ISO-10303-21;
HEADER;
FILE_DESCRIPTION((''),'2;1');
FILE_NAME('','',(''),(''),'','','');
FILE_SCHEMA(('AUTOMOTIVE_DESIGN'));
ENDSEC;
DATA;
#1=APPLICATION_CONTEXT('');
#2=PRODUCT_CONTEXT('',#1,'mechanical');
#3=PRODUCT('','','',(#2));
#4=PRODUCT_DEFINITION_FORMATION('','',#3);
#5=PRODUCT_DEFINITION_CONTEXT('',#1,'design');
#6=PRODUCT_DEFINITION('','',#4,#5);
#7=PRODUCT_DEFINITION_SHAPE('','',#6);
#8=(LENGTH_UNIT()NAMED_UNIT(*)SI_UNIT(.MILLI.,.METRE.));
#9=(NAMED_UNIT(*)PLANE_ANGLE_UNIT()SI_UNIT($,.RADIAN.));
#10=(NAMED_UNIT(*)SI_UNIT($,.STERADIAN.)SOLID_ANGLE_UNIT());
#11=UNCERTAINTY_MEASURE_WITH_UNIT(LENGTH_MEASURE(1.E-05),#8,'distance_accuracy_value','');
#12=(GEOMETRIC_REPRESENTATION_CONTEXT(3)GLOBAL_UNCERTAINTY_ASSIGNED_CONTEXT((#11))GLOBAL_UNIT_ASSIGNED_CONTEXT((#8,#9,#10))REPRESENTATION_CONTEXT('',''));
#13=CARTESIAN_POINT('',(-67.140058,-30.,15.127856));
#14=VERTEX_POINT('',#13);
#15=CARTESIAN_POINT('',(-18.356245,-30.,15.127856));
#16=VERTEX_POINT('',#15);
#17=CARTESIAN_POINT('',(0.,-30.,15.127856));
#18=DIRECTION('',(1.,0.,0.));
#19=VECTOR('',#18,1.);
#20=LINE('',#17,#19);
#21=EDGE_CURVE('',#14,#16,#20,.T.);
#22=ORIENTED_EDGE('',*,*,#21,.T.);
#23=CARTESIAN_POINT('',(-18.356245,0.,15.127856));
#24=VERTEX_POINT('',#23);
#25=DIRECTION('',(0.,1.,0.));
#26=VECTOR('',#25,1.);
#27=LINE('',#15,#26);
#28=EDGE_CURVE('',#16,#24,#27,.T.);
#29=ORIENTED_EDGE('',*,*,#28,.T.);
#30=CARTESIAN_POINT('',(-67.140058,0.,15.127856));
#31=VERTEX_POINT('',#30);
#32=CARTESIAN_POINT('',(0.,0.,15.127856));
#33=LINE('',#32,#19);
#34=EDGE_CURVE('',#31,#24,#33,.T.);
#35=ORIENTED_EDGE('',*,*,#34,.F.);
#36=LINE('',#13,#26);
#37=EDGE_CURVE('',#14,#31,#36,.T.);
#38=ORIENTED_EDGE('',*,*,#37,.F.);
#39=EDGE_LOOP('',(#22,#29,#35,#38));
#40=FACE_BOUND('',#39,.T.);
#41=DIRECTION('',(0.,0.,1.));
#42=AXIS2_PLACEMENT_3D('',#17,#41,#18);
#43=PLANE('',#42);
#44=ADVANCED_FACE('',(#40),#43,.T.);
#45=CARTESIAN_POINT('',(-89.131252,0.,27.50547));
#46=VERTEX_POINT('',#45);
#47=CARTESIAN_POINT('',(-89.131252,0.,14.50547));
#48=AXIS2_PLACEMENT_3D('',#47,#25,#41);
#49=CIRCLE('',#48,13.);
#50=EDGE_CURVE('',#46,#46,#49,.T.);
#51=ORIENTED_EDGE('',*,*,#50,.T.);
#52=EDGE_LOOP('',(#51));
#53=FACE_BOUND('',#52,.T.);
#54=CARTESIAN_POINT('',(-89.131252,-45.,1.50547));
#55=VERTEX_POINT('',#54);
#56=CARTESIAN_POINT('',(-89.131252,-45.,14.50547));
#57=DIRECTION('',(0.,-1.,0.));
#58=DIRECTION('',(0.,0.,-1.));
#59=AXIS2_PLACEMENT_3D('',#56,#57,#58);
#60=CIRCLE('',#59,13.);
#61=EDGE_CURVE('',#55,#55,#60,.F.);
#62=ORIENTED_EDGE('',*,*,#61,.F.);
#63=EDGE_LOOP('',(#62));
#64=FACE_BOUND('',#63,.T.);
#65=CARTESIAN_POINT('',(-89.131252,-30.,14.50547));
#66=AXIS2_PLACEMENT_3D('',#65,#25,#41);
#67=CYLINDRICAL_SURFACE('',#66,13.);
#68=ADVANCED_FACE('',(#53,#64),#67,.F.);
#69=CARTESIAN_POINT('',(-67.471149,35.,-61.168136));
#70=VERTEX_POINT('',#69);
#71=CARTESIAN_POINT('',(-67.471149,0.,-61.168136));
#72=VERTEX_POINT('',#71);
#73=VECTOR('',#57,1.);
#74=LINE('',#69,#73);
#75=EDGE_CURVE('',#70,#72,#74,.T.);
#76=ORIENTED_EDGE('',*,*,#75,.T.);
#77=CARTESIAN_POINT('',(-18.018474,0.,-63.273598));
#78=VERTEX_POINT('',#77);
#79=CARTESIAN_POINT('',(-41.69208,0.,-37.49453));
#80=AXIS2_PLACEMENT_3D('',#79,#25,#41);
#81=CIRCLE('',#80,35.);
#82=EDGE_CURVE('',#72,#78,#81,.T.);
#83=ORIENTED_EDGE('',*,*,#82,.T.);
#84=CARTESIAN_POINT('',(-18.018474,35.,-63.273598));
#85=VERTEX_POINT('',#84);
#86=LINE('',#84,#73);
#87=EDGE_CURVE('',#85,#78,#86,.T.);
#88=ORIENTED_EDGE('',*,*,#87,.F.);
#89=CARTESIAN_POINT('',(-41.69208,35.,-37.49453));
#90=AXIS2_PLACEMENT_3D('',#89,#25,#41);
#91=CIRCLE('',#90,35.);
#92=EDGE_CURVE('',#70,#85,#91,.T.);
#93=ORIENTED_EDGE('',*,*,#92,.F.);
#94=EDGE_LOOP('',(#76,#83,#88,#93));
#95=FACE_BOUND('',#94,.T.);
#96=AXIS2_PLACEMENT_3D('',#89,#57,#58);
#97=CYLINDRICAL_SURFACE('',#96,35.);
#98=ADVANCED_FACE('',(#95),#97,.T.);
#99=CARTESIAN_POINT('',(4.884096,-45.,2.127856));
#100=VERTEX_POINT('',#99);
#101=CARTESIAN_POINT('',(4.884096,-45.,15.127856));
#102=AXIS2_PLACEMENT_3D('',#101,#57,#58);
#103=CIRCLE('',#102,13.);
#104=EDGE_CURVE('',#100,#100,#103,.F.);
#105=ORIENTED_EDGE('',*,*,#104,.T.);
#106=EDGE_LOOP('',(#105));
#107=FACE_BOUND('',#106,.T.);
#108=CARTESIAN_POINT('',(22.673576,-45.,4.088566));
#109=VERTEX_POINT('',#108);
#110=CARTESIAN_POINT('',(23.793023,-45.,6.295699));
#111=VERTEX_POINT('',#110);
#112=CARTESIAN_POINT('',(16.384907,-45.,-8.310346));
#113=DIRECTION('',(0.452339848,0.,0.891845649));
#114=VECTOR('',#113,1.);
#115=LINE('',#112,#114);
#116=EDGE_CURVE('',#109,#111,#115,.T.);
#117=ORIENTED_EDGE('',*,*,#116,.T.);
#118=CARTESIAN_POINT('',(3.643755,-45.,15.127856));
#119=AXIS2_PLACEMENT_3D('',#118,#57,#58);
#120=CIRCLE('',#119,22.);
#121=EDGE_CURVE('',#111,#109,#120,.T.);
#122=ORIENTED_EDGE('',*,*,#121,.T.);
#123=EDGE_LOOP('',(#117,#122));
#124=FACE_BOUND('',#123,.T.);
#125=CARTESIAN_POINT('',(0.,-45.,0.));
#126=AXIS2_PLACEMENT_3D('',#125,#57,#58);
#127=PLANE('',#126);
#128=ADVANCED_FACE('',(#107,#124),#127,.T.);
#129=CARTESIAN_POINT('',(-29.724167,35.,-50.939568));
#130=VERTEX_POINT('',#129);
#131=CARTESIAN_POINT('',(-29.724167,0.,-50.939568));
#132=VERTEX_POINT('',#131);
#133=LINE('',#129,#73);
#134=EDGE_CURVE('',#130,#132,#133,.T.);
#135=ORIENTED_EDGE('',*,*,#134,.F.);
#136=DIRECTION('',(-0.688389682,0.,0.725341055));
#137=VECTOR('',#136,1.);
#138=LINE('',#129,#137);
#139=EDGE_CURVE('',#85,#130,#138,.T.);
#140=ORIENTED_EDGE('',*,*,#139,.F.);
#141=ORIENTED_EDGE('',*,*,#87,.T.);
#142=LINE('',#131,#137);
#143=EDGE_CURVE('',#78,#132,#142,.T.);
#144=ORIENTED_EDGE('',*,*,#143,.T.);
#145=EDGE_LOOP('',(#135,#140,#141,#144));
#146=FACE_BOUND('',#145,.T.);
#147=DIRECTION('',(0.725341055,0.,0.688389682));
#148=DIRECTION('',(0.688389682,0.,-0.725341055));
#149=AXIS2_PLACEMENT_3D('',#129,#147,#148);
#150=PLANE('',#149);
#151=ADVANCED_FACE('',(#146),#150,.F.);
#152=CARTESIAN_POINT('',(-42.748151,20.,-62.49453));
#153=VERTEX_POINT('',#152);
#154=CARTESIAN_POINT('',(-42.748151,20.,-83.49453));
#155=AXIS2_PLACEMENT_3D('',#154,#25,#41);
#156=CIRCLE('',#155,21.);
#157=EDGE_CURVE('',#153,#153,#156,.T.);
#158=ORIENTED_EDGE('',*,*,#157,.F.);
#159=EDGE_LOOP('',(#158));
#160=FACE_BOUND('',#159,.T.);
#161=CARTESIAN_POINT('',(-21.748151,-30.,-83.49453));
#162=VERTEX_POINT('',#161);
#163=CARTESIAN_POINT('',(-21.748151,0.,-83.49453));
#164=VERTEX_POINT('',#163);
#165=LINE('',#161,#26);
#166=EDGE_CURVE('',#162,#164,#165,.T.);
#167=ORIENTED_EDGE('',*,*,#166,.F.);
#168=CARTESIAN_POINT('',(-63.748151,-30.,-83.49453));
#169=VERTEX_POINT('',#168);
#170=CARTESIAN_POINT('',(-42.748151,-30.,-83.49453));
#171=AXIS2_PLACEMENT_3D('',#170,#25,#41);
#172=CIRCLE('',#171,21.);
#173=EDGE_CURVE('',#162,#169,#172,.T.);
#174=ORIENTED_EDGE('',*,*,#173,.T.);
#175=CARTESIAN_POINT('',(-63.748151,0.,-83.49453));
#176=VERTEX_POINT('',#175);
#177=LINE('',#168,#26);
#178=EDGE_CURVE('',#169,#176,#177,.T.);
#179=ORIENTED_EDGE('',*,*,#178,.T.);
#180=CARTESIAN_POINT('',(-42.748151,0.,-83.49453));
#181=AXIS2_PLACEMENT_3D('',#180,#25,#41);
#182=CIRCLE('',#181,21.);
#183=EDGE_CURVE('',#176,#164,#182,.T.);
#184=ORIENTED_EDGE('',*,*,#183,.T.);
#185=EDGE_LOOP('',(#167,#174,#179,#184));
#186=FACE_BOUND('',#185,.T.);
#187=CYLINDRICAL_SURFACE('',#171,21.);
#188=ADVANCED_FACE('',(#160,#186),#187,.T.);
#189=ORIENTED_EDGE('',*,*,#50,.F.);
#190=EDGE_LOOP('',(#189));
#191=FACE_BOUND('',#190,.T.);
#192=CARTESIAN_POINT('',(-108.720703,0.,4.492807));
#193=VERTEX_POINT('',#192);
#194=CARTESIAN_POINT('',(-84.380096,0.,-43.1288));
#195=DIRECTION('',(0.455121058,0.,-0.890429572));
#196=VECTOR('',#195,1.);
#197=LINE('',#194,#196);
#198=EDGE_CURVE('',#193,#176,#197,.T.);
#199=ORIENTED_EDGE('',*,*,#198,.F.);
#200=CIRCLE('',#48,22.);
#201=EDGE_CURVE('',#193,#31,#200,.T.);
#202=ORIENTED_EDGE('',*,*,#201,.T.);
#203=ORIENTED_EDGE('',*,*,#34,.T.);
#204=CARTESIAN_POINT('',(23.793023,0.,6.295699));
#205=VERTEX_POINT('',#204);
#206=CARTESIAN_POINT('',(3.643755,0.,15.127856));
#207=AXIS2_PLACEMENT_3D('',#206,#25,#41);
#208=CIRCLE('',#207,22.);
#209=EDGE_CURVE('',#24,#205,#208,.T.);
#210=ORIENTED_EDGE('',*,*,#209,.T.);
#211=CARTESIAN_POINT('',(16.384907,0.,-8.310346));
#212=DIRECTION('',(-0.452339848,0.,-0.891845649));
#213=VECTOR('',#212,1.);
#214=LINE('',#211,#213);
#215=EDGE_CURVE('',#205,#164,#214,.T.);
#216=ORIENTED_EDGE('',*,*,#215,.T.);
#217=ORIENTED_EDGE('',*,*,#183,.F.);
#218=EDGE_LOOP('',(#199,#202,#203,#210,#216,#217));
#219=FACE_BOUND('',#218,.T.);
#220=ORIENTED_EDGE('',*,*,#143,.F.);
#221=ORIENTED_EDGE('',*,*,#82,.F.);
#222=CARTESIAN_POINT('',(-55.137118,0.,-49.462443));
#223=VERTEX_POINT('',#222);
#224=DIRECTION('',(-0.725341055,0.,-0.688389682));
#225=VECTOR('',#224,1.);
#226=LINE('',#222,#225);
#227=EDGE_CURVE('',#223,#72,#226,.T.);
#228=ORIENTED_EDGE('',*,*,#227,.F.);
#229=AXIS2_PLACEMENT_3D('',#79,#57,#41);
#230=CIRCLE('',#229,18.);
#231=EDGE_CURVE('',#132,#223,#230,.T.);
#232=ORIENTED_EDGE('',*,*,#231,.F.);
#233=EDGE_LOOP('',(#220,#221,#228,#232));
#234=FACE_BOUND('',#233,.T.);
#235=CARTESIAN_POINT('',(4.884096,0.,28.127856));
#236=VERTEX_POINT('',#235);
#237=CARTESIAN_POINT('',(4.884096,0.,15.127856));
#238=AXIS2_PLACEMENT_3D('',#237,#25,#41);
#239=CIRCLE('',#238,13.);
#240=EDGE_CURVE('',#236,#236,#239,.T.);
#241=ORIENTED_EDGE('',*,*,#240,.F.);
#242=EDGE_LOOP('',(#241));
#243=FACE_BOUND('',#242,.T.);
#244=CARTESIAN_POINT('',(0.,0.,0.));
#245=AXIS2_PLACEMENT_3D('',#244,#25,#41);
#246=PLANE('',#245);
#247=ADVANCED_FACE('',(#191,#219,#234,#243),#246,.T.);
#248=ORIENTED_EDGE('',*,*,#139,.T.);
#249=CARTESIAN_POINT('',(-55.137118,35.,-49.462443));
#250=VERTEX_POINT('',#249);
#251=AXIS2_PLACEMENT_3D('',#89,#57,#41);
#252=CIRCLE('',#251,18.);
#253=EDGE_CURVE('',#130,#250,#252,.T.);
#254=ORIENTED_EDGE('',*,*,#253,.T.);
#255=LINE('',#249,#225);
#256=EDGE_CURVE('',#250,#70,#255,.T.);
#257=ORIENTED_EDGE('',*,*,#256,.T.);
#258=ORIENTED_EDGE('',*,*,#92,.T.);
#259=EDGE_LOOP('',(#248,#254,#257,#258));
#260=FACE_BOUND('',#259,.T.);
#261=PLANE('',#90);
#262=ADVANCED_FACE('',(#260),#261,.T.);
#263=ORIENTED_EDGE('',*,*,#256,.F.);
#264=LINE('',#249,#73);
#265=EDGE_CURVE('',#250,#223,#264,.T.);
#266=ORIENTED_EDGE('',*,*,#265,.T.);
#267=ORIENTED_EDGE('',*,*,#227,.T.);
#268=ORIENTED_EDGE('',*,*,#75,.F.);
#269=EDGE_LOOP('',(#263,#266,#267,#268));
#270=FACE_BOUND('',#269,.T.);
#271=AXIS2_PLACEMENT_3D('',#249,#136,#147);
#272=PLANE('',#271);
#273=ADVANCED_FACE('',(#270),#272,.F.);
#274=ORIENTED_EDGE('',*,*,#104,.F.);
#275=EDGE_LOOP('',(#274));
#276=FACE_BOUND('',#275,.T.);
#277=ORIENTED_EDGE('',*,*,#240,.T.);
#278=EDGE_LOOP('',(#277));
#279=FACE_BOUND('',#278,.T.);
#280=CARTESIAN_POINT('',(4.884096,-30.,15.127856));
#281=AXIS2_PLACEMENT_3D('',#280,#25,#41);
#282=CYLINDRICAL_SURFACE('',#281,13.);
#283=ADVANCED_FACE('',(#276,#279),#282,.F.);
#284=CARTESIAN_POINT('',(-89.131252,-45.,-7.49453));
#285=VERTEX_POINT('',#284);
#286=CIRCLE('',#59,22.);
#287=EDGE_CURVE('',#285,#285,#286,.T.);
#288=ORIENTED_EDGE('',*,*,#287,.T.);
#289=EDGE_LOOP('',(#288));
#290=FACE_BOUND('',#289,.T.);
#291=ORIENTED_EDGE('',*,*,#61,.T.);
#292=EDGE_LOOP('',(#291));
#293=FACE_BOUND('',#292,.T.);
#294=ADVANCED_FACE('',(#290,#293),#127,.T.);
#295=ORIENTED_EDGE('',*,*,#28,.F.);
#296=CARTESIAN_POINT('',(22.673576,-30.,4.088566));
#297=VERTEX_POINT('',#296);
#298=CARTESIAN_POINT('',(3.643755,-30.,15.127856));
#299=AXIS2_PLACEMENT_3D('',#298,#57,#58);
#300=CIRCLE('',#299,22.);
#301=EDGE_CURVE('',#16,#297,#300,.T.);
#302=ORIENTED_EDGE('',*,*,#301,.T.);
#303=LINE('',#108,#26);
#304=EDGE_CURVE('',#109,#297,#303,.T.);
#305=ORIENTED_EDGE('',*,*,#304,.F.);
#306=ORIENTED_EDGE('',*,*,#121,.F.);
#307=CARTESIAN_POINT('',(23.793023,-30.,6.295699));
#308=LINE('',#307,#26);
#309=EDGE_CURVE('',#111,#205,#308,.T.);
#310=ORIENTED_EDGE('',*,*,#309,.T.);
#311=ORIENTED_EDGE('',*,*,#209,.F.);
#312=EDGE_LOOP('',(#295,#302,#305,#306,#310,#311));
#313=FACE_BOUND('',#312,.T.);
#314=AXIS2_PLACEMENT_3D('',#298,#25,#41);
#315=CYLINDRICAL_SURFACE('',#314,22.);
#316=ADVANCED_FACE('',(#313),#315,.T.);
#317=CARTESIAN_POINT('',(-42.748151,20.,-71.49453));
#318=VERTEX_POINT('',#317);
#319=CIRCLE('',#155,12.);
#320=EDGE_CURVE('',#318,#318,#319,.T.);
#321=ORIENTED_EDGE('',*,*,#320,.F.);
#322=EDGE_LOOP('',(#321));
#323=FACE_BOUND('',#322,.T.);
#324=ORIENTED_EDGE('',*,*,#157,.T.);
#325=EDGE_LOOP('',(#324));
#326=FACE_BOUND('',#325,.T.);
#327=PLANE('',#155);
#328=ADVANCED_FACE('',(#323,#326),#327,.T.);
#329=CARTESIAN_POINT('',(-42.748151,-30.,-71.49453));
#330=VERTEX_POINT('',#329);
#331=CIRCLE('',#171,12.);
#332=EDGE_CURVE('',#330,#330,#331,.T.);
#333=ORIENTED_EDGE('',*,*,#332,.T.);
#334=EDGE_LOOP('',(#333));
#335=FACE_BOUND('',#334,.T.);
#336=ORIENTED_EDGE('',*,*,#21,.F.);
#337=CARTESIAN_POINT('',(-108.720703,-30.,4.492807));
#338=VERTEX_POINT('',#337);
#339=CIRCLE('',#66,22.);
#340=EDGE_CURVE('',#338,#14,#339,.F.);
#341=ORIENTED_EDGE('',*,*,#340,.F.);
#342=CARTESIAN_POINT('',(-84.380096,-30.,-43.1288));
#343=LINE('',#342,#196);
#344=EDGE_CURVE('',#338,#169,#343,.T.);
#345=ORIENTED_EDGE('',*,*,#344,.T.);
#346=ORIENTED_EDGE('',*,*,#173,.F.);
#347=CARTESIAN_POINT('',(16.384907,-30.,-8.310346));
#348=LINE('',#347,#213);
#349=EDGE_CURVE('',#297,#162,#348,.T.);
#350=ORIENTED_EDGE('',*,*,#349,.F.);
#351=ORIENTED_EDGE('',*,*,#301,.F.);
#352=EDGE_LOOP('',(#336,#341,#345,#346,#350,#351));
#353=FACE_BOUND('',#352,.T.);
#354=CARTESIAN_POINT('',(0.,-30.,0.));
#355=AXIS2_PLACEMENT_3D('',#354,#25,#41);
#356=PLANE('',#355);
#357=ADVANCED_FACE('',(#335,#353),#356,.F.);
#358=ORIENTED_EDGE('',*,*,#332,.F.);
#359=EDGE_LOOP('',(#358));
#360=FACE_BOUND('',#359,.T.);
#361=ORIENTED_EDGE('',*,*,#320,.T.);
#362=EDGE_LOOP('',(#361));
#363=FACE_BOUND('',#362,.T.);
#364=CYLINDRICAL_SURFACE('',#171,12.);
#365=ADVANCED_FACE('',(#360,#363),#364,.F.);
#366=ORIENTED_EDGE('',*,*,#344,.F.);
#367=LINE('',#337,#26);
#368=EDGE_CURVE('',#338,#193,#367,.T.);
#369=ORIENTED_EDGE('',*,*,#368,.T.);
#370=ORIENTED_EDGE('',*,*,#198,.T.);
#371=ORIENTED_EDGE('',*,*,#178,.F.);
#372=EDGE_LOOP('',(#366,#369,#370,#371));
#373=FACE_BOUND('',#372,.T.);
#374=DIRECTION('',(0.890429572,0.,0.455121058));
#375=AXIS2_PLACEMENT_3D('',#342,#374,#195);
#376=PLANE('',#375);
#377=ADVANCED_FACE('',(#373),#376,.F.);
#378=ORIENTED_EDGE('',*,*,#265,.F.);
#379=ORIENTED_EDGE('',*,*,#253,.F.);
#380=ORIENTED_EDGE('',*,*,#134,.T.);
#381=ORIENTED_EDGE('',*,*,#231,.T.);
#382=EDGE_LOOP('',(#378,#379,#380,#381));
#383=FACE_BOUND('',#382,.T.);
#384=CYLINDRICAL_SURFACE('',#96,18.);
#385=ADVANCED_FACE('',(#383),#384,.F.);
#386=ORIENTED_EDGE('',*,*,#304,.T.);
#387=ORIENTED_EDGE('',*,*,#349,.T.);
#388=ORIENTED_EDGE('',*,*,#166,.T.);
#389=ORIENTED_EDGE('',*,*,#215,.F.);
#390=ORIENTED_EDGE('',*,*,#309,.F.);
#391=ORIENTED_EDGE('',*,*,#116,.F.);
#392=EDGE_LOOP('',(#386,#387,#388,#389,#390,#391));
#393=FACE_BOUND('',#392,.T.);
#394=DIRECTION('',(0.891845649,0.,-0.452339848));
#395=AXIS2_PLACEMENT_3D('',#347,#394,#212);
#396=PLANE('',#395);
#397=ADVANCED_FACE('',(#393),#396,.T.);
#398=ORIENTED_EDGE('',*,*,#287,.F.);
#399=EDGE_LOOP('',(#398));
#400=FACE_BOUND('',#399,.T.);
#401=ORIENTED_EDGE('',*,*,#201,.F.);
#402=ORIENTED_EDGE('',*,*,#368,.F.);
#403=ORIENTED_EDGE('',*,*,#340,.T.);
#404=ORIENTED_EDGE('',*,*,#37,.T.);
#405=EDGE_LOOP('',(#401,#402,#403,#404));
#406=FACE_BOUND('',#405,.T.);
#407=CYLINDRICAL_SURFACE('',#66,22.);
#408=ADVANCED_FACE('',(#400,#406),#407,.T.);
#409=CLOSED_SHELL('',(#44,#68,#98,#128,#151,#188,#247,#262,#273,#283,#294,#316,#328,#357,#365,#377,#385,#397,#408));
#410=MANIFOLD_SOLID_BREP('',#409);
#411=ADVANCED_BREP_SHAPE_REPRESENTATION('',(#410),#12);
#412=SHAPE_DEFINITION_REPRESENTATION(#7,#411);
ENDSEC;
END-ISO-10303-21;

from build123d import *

# Parameters (mm, degrees)
SKETCH2_R           = 13
BOSS_EXTRUDE1_DEPTH = 30
SKETCH3_R           = 21
SKETCH3_R_2         = 12
BOSS_EXTRUDE3_DEPTH = 30
BOSS_EXTRUDE4_START = 20
SKETCH4_R           = 21
BOSS_EXTRUDE4_DEPTH = 20
CUT_EXTRUDE3_START  = 20
SKETCH6_R           = 12
CUT_EXTRUDE3_DEPTH  = 20
BOSS_EXTRUDE5_DEPTH = 35
SKETCH8_R           = 13
BOSS_EXTRUDE6_DEPTH = 15


with BuildPart() as part:
    # Sketch2 → Boss-Extrude1 (new body)
    with BuildSketch(Plane(origin=(0, 0, 0), x_dir=(1, 0, 0), z_dir=(0, 1, 0))):
        with BuildLine():
            Line((-63.748151168, 83.4945297), (-108.720702631, -4.492807031))
            ThreePointArc((-108.720702631, -4.492807031), (-94.582688401, -35.819358768), (-67.140057524, -15.127855665))
            Line((-67.140057524, -15.127855665), (-18.356244812, -15.127855665))
            ThreePointArc((-18.356244812, -15.127855665), (8.155744942, -36.660202227), (23.79302323, -6.295698659))
            Line((23.79302323, -6.295698659), (22.673576153, -4.088566102))
            Line((22.673576153, -4.088566102), (-21.748151168, 83.4945297))
            ThreePointArc((-21.748151168, 83.4945297), (-42.748151168, 62.4945297), (-63.748151168, 83.4945297))
        make_face()
        with Locations(Location((-89.131252045, -14.5054703, 0), (0, 0, 270))):
            Circle(SKETCH2_R, mode=Mode.SUBTRACT)
        with Locations(Location((4.884095697, -15.127855665, 0), (0, 0, 270))):
            Circle(SKETCH2_R, mode=Mode.SUBTRACT)
    extrude(amount=-BOSS_EXTRUDE1_DEPTH)

    # Sketch3 → Boss-Extrude3 (add)
    with BuildSketch(Plane(origin=(0, 0, 0), x_dir=(1, 0, 0), z_dir=(0, 1, 0))):
        with Locations((-42.748151168, 83.4945297)):
            Circle(SKETCH3_R)
        with Locations(Location((-42.748151168, 83.4945297, 0), (0, 0, 270))):
            Circle(SKETCH3_R_2, mode=Mode.SUBTRACT)
    extrude(amount=-BOSS_EXTRUDE3_DEPTH)

    # Sketch4 → Boss-Extrude4 (add)
    with BuildSketch(Plane(origin=(0, 0, 0), x_dir=(1, 0, 0), z_dir=(0, 1, 0)).offset(BOSS_EXTRUDE4_START)):
        with Locations(Location((-42.748151168, 83.4945297, 0), (0, 0, 270))):
            Circle(SKETCH4_R)
    extrude(amount=-BOSS_EXTRUDE4_DEPTH)

    # Sketch6 → Cut-Extrude3 (cut)
    with BuildSketch(Plane(origin=(0, 0, 0), x_dir=(1, 0, 0), z_dir=(0, 1, 0)).offset(CUT_EXTRUDE3_START)):
        with Locations(Location((-42.748151168, 83.4945297, 0), (0, 0, 270))):
            Circle(SKETCH6_R)
    extrude(amount=-CUT_EXTRUDE3_DEPTH, mode=Mode.SUBTRACT)

    # Sketch7 → Boss-Extrude5 (add)
    with BuildSketch(Plane(origin=(0, 0, 0), x_dir=(1, 0, 0), z_dir=(0, 1, 0))):
        with BuildLine():
            Line((-55.137118112, 49.462443333), (-67.471148686, 61.168135895))
            ThreePointArc((-67.471148686, 61.168135895), (-40.20329361, 2.526208117), (-18.018474049, 63.273598143))
            Line((-18.018474049, 63.273598143), (-29.724166611, 50.939567569))
            ThreePointArc((-29.724166611, 50.939567569), (-40.647595679, 19.524859364), (-55.137118112, 49.462443333))
        make_face()
    extrude(amount=BOSS_EXTRUDE5_DEPTH)

    # Sketch8 → Boss-Extrude6 (add)
    # profile 1 of 2: a face of its own
    with BuildSketch(Plane.XZ.offset(30)):
        with BuildLine():
            ThreePointArc((25.643755188, 15.127855665), (3.643755188, 37.127855665), (-18.356244812, 15.127855665))
            ThreePointArc((-18.356244812, 15.127855665), (-2.072184751, -6.116626692), (22.673576153, 4.088566102))
            Line((22.673576153, 4.088566102), (23.79302323, 6.295698659))
            ThreePointArc((23.79302323, 6.295698659), (25.17610175, 10.615865911), (25.643755188, 15.127855665))
        make_face()
        with Locations(Location((4.884095697, 15.127855665, 0), (0, 0, 90))):
            Circle(SKETCH8_R, mode=Mode.SUBTRACT)
    # profile 2 of 2: a face of its own
    with BuildSketch(Plane.XZ.offset(30)):
        with BuildLine():
            ThreePointArc((-67.131252045, 14.5054703), (-67.133453525, 14.816694125), (-67.140057524, 15.127855665))
            ThreePointArc((-67.140057524, 15.127855665), (-94.582688401, 35.819358768), (-108.720702631, 4.492807031))
            ThreePointArc((-108.720702631, 4.492807031), (-83.981878922, -6.883404296), (-67.131252045, 14.5054703))
        make_face()
        with Locations(Location((-89.131252045, 14.5054703, 0), (0, 0, 90))):
            Circle(SKETCH8_R, mode=Mode.SUBTRACT)
    extrude(amount=BOSS_EXTRUDE6_DEPTH)


solid = part.part
